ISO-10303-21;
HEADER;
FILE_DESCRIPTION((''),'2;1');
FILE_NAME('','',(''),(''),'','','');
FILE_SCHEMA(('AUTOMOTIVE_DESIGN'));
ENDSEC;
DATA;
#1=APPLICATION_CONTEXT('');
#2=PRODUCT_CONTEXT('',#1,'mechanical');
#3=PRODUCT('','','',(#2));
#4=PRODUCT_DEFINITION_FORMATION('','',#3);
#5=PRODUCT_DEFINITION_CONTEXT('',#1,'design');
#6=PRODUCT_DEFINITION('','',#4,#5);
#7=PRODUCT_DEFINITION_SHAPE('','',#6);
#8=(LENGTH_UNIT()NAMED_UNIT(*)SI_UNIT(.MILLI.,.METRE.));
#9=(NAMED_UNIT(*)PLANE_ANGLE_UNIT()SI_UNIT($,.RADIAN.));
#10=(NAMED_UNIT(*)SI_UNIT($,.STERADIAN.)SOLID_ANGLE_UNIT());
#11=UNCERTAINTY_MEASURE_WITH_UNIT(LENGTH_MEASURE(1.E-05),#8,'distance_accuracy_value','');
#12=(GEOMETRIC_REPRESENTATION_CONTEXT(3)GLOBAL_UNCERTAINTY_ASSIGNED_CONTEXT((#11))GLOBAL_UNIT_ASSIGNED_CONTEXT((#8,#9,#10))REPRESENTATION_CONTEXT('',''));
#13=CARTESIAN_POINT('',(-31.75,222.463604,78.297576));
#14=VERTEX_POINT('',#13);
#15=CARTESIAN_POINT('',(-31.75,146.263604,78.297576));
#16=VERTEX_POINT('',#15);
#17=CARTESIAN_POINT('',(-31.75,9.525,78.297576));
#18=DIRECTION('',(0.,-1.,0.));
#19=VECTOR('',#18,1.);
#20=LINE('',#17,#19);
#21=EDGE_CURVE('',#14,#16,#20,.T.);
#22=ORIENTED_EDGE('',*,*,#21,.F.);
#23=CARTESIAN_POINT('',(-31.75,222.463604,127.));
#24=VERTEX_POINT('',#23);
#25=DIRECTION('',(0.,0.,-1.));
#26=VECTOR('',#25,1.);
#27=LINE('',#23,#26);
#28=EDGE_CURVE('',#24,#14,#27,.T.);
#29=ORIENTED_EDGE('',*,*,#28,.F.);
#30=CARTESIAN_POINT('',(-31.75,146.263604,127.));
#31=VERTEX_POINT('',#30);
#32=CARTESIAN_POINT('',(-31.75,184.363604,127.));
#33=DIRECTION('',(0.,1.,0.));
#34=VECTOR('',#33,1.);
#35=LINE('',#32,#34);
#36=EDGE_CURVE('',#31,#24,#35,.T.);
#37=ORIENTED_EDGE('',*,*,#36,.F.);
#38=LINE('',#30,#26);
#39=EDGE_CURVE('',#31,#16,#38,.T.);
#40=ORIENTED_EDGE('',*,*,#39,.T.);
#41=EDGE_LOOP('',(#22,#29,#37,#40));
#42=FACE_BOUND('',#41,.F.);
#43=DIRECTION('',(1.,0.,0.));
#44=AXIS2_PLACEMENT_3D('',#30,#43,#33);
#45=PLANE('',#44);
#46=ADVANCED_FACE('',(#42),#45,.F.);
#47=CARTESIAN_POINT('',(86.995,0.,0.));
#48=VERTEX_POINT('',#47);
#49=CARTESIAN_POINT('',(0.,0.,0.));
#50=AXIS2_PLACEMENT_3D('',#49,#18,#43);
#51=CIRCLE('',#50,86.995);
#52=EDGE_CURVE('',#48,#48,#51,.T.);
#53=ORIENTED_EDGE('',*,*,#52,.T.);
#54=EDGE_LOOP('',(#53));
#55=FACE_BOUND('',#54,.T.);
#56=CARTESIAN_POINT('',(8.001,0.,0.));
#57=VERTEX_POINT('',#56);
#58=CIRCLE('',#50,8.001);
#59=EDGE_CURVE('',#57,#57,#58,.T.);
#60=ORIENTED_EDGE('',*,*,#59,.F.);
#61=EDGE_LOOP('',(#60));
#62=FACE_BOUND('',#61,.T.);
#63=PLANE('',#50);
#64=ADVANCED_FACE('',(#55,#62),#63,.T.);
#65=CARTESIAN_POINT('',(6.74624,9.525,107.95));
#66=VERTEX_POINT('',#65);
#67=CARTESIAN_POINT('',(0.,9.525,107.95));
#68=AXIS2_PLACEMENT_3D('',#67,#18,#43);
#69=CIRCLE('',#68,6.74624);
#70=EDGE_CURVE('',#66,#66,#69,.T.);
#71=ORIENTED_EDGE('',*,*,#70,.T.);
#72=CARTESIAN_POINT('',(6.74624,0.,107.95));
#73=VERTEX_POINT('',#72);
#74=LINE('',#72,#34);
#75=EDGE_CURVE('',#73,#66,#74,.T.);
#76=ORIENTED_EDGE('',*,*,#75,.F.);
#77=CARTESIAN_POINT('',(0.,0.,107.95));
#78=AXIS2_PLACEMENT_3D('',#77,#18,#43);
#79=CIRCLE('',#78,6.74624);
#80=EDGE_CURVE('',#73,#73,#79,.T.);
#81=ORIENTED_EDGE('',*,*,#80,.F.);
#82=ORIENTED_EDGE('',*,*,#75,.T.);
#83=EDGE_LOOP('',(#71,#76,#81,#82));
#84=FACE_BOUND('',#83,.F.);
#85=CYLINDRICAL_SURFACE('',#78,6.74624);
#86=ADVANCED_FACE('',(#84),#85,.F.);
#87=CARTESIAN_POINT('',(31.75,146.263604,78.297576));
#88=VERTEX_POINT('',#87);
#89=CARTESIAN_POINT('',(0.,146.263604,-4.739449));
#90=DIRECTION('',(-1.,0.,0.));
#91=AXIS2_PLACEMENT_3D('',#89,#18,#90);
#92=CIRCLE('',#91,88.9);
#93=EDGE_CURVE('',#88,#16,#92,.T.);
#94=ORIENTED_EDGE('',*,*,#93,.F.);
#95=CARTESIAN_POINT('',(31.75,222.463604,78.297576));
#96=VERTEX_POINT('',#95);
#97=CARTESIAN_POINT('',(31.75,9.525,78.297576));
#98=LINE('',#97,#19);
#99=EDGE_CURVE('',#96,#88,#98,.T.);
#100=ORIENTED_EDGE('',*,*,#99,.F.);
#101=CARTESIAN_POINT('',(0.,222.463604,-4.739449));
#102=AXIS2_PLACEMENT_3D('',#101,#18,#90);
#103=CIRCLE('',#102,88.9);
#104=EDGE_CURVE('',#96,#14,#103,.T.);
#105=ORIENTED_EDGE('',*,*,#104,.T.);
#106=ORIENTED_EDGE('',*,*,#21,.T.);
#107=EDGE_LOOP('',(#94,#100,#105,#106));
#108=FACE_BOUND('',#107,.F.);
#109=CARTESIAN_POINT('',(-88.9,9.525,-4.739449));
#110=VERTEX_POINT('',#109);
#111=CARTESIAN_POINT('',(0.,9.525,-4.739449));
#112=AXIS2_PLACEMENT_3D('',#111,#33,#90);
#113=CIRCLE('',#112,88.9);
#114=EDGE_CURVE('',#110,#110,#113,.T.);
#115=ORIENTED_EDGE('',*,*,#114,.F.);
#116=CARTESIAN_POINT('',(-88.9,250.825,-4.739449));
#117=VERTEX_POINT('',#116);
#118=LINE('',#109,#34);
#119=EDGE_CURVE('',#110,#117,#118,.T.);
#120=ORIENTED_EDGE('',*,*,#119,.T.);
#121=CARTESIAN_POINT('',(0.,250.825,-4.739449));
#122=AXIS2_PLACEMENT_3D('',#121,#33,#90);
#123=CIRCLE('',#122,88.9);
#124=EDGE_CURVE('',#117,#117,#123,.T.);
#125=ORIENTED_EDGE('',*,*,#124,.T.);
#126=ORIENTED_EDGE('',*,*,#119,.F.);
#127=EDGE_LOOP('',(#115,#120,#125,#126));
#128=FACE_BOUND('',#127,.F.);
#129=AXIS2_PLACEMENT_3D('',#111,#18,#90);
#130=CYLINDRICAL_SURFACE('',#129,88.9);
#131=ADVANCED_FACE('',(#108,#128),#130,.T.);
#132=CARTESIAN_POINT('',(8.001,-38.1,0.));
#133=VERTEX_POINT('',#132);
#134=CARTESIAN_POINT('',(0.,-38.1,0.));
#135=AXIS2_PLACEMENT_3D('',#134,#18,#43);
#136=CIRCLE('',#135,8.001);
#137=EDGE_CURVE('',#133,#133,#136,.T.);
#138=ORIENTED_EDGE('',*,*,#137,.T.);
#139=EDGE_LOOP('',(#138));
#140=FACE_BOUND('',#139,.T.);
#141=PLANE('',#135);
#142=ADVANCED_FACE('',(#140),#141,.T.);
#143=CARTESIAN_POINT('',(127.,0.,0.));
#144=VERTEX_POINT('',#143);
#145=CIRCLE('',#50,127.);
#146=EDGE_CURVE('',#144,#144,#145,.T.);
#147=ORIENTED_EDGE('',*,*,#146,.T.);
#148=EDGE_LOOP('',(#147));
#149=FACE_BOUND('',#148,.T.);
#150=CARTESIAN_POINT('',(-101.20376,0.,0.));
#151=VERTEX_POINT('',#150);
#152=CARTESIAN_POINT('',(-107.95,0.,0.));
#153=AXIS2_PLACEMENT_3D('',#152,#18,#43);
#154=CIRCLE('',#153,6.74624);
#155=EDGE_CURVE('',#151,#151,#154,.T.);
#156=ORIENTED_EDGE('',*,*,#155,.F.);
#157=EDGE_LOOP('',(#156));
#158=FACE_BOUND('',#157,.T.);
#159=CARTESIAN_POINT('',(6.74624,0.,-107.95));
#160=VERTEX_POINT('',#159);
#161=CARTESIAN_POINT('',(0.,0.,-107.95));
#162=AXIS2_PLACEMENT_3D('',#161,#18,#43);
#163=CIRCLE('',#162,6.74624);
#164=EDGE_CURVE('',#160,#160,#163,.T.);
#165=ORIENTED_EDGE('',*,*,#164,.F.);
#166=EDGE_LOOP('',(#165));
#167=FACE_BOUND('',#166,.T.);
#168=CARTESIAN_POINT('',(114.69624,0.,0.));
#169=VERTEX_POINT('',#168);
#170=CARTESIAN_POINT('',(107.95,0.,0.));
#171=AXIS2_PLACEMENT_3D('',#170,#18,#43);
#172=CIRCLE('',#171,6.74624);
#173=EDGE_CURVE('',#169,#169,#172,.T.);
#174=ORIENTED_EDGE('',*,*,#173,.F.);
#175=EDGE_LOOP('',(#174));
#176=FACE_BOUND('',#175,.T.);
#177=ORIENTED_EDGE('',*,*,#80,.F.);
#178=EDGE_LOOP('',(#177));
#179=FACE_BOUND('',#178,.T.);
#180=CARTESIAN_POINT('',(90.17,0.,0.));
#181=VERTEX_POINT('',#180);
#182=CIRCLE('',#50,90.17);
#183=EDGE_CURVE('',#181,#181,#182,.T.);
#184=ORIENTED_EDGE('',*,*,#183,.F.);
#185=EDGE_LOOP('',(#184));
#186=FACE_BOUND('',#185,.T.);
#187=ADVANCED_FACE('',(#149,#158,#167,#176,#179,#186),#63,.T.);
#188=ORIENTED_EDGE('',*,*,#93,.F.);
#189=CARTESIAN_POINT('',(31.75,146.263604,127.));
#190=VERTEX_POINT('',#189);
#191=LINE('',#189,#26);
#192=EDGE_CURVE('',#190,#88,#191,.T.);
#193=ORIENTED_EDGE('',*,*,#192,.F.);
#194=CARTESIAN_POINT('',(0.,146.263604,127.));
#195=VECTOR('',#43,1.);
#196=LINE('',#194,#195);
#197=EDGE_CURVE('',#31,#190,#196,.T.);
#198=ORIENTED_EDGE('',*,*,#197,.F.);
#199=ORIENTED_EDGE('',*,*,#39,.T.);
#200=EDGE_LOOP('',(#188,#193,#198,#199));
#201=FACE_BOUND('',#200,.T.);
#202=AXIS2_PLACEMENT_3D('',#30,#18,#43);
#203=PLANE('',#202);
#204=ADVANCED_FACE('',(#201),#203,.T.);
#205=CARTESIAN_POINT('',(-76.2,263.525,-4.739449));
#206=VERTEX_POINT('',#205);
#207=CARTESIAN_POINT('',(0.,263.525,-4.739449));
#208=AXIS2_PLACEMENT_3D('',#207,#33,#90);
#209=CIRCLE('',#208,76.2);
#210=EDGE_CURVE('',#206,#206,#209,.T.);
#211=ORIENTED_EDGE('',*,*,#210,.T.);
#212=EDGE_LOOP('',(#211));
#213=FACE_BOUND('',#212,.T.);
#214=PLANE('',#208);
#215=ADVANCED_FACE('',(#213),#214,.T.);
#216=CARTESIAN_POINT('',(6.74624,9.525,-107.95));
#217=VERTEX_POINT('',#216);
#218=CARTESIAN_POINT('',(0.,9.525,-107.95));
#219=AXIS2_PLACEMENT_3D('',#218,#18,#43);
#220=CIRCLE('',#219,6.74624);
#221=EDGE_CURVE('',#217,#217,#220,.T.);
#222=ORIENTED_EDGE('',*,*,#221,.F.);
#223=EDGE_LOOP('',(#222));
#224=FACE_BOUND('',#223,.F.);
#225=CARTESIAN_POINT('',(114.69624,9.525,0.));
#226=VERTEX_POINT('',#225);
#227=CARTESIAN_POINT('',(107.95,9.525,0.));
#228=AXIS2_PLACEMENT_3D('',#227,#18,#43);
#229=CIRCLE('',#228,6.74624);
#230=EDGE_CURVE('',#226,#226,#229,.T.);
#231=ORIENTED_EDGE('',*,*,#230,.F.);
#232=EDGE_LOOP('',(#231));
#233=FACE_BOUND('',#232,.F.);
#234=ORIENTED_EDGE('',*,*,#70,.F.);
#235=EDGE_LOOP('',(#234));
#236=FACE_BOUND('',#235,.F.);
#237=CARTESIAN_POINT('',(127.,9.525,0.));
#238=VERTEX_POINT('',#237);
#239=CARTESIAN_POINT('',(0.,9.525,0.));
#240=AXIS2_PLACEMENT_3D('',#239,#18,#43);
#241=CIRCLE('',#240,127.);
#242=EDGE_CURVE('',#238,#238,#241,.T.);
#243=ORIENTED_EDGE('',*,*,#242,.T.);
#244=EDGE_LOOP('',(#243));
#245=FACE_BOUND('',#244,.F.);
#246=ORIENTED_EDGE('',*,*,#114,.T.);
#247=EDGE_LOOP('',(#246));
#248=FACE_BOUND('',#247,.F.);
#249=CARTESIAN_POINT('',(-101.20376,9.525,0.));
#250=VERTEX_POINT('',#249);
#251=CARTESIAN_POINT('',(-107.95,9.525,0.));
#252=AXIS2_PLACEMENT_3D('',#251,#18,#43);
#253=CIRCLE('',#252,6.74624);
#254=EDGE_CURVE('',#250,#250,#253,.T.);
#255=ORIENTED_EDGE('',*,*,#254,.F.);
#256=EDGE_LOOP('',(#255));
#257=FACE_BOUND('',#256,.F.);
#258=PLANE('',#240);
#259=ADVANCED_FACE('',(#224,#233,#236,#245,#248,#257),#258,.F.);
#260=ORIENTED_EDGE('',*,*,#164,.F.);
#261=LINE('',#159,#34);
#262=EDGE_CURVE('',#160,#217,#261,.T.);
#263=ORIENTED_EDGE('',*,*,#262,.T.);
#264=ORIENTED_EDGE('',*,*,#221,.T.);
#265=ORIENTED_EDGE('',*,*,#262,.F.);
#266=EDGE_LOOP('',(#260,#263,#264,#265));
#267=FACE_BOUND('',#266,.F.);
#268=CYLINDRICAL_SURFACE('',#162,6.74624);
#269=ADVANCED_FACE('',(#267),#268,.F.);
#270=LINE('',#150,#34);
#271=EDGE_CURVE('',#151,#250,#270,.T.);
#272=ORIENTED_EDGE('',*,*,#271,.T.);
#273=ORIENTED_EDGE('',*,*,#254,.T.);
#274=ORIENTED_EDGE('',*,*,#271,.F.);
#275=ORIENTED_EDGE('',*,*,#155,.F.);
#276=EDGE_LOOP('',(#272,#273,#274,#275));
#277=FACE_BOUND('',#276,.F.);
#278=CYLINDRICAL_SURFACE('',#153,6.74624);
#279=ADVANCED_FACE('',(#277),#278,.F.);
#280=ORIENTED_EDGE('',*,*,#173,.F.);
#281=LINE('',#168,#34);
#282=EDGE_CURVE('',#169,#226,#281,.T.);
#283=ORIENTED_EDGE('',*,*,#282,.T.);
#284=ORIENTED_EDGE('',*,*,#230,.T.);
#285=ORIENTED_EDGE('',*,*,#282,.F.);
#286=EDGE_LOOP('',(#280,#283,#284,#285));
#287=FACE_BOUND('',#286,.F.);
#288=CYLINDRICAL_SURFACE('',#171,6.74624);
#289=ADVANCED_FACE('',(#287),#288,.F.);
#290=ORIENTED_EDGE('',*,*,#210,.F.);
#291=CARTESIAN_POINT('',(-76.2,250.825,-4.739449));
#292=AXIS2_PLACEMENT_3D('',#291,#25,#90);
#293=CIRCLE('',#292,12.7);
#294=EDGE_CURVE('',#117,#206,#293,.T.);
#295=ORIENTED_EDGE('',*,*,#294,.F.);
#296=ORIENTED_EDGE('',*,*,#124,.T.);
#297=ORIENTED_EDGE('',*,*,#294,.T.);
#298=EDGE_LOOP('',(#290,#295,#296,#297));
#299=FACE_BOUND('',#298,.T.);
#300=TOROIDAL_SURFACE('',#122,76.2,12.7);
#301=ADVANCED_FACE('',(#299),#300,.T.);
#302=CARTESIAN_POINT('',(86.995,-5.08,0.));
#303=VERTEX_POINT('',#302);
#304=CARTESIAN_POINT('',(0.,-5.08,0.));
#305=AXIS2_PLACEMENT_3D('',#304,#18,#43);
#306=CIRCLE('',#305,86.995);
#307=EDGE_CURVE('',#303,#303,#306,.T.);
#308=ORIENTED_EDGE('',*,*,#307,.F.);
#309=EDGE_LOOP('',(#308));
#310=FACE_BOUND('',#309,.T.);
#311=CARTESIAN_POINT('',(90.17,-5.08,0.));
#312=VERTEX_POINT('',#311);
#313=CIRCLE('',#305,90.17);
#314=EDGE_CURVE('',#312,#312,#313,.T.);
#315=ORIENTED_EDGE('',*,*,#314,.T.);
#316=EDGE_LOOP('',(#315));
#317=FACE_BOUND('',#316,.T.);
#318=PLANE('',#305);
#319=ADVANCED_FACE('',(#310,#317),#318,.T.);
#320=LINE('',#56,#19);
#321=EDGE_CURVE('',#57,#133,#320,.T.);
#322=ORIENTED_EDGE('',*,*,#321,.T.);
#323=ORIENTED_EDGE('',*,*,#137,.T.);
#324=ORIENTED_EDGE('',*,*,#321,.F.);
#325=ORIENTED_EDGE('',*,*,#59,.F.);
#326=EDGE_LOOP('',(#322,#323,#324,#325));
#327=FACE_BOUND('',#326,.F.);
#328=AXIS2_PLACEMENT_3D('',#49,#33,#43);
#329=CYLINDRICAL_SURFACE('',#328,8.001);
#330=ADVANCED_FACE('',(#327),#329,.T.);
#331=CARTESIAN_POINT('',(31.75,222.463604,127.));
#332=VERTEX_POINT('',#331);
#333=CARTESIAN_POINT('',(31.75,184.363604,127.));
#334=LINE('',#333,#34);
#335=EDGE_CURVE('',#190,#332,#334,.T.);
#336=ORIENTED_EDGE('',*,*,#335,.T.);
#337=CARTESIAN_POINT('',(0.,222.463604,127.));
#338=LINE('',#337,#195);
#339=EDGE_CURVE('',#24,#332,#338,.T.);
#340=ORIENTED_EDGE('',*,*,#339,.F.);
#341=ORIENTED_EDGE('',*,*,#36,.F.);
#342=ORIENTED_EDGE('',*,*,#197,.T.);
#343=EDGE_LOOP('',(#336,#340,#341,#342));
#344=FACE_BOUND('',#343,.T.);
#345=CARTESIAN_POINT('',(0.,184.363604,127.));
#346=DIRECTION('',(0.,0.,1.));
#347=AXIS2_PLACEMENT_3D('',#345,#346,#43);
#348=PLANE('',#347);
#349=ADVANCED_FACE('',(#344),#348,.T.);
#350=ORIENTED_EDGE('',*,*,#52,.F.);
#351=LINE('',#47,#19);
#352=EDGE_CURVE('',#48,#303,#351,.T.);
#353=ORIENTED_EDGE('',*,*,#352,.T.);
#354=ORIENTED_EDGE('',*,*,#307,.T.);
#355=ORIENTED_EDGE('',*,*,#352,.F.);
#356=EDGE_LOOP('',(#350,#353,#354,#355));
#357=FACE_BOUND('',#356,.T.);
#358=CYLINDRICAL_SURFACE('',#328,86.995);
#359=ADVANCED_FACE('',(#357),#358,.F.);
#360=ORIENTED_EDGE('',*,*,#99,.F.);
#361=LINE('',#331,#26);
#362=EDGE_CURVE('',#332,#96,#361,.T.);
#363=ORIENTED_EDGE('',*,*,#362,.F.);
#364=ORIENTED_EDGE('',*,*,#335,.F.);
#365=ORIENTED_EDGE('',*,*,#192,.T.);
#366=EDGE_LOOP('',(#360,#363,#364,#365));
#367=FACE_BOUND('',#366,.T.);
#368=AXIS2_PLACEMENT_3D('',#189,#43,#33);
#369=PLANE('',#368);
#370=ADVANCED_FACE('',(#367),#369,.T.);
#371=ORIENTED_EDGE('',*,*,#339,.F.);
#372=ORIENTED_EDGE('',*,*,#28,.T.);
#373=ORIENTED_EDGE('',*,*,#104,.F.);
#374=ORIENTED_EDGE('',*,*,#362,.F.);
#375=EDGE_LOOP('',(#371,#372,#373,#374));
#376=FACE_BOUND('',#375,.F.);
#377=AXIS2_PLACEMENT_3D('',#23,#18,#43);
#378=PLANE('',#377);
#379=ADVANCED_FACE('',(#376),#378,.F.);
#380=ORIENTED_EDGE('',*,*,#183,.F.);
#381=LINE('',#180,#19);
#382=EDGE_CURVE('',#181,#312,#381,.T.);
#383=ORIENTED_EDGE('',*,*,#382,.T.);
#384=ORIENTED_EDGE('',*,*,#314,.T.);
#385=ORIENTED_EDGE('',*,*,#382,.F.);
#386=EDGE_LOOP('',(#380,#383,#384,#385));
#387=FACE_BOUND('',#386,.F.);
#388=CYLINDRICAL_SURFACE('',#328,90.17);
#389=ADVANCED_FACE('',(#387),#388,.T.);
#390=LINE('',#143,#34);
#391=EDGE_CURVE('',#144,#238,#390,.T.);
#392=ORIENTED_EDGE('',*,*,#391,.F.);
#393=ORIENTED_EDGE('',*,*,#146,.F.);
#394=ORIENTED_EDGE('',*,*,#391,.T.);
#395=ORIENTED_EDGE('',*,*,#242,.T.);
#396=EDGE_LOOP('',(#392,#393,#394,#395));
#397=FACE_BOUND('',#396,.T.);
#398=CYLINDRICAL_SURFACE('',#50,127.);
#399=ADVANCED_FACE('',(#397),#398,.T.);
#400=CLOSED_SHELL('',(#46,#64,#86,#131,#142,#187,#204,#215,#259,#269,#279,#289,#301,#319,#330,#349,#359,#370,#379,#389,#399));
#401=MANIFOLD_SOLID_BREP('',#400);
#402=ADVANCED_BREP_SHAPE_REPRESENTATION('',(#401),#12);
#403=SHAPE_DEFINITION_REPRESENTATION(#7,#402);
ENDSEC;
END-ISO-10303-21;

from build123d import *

# Parameters (mm, degrees)
F0_R      = 127
F1_DEPTH  = 9.525
F2_R      = 88.9
F3_DEPTH  = 254
F5_W      = 63.5
F5_H      = 76.2
F6_DEPTH  = 76.2
F7_R      = 6.74624
F8_DEPTH  = 25.4
F9_R      = 12.7
F10_R     = 90.17
F10_R_2   = 86.995
F11_DEPTH = 5.08
F12_R     = 8.001
F13_DEPTH = 38.1


with BuildPart() as f1:
    # F0 (on Front) → F1 (new body)
    with BuildSketch(Plane.XZ):
        Circle(F0_R)
    extrude(amount=-F1_DEPTH)

    # F2 (on face) → F3 (join)
    with BuildSketch(Plane(origin=(0, 9.525, 0), x_dir=(-1, 0, 0), z_dir=(0, 1, 0))):
        with Locations((0, -4.739449)):
            Circle(F2_R)
    extrude(amount=F3_DEPTH)

    # F5 (on offset) → F6 (join)
    with BuildSketch(Plane.XY.offset(127)):
        with Locations((0, 184.363604)):
            Rectangle(F5_W, F5_H)
    extrude(amount=-F6_DEPTH)

    # F7 (on face) → F8 (cut)
    with BuildSketch(Plane.XZ):
        with Locations((107.95, 0)):
            Circle(F7_R)
        with Locations((0, 107.95)):
            Circle(F7_R)
        with Locations((-107.95, 0)):
            Circle(F7_R)
        with Locations((0, -107.95)):
            Circle(F7_R)
    extrude(amount=-F8_DEPTH, mode=Mode.SUBTRACT)

    # F9
    f9_edges = [f1.edges().sort_by_distance(p)[0] for p in [
        (88.9, 263.525, -4.739449),
    ]]
    fillet(f9_edges, radius=F9_R)

    # F10 (on face) → F11 (join)
    with BuildSketch(Plane.XZ):
        Circle(F10_R)
        Circle(F10_R_2, mode=Mode.SUBTRACT)
    extrude(amount=F11_DEPTH)

    # F12 (on face) → F13 (join)
    with BuildSketch(Plane.XZ):
        Circle(F12_R)
    extrude(amount=F13_DEPTH)


solid = f1.part
